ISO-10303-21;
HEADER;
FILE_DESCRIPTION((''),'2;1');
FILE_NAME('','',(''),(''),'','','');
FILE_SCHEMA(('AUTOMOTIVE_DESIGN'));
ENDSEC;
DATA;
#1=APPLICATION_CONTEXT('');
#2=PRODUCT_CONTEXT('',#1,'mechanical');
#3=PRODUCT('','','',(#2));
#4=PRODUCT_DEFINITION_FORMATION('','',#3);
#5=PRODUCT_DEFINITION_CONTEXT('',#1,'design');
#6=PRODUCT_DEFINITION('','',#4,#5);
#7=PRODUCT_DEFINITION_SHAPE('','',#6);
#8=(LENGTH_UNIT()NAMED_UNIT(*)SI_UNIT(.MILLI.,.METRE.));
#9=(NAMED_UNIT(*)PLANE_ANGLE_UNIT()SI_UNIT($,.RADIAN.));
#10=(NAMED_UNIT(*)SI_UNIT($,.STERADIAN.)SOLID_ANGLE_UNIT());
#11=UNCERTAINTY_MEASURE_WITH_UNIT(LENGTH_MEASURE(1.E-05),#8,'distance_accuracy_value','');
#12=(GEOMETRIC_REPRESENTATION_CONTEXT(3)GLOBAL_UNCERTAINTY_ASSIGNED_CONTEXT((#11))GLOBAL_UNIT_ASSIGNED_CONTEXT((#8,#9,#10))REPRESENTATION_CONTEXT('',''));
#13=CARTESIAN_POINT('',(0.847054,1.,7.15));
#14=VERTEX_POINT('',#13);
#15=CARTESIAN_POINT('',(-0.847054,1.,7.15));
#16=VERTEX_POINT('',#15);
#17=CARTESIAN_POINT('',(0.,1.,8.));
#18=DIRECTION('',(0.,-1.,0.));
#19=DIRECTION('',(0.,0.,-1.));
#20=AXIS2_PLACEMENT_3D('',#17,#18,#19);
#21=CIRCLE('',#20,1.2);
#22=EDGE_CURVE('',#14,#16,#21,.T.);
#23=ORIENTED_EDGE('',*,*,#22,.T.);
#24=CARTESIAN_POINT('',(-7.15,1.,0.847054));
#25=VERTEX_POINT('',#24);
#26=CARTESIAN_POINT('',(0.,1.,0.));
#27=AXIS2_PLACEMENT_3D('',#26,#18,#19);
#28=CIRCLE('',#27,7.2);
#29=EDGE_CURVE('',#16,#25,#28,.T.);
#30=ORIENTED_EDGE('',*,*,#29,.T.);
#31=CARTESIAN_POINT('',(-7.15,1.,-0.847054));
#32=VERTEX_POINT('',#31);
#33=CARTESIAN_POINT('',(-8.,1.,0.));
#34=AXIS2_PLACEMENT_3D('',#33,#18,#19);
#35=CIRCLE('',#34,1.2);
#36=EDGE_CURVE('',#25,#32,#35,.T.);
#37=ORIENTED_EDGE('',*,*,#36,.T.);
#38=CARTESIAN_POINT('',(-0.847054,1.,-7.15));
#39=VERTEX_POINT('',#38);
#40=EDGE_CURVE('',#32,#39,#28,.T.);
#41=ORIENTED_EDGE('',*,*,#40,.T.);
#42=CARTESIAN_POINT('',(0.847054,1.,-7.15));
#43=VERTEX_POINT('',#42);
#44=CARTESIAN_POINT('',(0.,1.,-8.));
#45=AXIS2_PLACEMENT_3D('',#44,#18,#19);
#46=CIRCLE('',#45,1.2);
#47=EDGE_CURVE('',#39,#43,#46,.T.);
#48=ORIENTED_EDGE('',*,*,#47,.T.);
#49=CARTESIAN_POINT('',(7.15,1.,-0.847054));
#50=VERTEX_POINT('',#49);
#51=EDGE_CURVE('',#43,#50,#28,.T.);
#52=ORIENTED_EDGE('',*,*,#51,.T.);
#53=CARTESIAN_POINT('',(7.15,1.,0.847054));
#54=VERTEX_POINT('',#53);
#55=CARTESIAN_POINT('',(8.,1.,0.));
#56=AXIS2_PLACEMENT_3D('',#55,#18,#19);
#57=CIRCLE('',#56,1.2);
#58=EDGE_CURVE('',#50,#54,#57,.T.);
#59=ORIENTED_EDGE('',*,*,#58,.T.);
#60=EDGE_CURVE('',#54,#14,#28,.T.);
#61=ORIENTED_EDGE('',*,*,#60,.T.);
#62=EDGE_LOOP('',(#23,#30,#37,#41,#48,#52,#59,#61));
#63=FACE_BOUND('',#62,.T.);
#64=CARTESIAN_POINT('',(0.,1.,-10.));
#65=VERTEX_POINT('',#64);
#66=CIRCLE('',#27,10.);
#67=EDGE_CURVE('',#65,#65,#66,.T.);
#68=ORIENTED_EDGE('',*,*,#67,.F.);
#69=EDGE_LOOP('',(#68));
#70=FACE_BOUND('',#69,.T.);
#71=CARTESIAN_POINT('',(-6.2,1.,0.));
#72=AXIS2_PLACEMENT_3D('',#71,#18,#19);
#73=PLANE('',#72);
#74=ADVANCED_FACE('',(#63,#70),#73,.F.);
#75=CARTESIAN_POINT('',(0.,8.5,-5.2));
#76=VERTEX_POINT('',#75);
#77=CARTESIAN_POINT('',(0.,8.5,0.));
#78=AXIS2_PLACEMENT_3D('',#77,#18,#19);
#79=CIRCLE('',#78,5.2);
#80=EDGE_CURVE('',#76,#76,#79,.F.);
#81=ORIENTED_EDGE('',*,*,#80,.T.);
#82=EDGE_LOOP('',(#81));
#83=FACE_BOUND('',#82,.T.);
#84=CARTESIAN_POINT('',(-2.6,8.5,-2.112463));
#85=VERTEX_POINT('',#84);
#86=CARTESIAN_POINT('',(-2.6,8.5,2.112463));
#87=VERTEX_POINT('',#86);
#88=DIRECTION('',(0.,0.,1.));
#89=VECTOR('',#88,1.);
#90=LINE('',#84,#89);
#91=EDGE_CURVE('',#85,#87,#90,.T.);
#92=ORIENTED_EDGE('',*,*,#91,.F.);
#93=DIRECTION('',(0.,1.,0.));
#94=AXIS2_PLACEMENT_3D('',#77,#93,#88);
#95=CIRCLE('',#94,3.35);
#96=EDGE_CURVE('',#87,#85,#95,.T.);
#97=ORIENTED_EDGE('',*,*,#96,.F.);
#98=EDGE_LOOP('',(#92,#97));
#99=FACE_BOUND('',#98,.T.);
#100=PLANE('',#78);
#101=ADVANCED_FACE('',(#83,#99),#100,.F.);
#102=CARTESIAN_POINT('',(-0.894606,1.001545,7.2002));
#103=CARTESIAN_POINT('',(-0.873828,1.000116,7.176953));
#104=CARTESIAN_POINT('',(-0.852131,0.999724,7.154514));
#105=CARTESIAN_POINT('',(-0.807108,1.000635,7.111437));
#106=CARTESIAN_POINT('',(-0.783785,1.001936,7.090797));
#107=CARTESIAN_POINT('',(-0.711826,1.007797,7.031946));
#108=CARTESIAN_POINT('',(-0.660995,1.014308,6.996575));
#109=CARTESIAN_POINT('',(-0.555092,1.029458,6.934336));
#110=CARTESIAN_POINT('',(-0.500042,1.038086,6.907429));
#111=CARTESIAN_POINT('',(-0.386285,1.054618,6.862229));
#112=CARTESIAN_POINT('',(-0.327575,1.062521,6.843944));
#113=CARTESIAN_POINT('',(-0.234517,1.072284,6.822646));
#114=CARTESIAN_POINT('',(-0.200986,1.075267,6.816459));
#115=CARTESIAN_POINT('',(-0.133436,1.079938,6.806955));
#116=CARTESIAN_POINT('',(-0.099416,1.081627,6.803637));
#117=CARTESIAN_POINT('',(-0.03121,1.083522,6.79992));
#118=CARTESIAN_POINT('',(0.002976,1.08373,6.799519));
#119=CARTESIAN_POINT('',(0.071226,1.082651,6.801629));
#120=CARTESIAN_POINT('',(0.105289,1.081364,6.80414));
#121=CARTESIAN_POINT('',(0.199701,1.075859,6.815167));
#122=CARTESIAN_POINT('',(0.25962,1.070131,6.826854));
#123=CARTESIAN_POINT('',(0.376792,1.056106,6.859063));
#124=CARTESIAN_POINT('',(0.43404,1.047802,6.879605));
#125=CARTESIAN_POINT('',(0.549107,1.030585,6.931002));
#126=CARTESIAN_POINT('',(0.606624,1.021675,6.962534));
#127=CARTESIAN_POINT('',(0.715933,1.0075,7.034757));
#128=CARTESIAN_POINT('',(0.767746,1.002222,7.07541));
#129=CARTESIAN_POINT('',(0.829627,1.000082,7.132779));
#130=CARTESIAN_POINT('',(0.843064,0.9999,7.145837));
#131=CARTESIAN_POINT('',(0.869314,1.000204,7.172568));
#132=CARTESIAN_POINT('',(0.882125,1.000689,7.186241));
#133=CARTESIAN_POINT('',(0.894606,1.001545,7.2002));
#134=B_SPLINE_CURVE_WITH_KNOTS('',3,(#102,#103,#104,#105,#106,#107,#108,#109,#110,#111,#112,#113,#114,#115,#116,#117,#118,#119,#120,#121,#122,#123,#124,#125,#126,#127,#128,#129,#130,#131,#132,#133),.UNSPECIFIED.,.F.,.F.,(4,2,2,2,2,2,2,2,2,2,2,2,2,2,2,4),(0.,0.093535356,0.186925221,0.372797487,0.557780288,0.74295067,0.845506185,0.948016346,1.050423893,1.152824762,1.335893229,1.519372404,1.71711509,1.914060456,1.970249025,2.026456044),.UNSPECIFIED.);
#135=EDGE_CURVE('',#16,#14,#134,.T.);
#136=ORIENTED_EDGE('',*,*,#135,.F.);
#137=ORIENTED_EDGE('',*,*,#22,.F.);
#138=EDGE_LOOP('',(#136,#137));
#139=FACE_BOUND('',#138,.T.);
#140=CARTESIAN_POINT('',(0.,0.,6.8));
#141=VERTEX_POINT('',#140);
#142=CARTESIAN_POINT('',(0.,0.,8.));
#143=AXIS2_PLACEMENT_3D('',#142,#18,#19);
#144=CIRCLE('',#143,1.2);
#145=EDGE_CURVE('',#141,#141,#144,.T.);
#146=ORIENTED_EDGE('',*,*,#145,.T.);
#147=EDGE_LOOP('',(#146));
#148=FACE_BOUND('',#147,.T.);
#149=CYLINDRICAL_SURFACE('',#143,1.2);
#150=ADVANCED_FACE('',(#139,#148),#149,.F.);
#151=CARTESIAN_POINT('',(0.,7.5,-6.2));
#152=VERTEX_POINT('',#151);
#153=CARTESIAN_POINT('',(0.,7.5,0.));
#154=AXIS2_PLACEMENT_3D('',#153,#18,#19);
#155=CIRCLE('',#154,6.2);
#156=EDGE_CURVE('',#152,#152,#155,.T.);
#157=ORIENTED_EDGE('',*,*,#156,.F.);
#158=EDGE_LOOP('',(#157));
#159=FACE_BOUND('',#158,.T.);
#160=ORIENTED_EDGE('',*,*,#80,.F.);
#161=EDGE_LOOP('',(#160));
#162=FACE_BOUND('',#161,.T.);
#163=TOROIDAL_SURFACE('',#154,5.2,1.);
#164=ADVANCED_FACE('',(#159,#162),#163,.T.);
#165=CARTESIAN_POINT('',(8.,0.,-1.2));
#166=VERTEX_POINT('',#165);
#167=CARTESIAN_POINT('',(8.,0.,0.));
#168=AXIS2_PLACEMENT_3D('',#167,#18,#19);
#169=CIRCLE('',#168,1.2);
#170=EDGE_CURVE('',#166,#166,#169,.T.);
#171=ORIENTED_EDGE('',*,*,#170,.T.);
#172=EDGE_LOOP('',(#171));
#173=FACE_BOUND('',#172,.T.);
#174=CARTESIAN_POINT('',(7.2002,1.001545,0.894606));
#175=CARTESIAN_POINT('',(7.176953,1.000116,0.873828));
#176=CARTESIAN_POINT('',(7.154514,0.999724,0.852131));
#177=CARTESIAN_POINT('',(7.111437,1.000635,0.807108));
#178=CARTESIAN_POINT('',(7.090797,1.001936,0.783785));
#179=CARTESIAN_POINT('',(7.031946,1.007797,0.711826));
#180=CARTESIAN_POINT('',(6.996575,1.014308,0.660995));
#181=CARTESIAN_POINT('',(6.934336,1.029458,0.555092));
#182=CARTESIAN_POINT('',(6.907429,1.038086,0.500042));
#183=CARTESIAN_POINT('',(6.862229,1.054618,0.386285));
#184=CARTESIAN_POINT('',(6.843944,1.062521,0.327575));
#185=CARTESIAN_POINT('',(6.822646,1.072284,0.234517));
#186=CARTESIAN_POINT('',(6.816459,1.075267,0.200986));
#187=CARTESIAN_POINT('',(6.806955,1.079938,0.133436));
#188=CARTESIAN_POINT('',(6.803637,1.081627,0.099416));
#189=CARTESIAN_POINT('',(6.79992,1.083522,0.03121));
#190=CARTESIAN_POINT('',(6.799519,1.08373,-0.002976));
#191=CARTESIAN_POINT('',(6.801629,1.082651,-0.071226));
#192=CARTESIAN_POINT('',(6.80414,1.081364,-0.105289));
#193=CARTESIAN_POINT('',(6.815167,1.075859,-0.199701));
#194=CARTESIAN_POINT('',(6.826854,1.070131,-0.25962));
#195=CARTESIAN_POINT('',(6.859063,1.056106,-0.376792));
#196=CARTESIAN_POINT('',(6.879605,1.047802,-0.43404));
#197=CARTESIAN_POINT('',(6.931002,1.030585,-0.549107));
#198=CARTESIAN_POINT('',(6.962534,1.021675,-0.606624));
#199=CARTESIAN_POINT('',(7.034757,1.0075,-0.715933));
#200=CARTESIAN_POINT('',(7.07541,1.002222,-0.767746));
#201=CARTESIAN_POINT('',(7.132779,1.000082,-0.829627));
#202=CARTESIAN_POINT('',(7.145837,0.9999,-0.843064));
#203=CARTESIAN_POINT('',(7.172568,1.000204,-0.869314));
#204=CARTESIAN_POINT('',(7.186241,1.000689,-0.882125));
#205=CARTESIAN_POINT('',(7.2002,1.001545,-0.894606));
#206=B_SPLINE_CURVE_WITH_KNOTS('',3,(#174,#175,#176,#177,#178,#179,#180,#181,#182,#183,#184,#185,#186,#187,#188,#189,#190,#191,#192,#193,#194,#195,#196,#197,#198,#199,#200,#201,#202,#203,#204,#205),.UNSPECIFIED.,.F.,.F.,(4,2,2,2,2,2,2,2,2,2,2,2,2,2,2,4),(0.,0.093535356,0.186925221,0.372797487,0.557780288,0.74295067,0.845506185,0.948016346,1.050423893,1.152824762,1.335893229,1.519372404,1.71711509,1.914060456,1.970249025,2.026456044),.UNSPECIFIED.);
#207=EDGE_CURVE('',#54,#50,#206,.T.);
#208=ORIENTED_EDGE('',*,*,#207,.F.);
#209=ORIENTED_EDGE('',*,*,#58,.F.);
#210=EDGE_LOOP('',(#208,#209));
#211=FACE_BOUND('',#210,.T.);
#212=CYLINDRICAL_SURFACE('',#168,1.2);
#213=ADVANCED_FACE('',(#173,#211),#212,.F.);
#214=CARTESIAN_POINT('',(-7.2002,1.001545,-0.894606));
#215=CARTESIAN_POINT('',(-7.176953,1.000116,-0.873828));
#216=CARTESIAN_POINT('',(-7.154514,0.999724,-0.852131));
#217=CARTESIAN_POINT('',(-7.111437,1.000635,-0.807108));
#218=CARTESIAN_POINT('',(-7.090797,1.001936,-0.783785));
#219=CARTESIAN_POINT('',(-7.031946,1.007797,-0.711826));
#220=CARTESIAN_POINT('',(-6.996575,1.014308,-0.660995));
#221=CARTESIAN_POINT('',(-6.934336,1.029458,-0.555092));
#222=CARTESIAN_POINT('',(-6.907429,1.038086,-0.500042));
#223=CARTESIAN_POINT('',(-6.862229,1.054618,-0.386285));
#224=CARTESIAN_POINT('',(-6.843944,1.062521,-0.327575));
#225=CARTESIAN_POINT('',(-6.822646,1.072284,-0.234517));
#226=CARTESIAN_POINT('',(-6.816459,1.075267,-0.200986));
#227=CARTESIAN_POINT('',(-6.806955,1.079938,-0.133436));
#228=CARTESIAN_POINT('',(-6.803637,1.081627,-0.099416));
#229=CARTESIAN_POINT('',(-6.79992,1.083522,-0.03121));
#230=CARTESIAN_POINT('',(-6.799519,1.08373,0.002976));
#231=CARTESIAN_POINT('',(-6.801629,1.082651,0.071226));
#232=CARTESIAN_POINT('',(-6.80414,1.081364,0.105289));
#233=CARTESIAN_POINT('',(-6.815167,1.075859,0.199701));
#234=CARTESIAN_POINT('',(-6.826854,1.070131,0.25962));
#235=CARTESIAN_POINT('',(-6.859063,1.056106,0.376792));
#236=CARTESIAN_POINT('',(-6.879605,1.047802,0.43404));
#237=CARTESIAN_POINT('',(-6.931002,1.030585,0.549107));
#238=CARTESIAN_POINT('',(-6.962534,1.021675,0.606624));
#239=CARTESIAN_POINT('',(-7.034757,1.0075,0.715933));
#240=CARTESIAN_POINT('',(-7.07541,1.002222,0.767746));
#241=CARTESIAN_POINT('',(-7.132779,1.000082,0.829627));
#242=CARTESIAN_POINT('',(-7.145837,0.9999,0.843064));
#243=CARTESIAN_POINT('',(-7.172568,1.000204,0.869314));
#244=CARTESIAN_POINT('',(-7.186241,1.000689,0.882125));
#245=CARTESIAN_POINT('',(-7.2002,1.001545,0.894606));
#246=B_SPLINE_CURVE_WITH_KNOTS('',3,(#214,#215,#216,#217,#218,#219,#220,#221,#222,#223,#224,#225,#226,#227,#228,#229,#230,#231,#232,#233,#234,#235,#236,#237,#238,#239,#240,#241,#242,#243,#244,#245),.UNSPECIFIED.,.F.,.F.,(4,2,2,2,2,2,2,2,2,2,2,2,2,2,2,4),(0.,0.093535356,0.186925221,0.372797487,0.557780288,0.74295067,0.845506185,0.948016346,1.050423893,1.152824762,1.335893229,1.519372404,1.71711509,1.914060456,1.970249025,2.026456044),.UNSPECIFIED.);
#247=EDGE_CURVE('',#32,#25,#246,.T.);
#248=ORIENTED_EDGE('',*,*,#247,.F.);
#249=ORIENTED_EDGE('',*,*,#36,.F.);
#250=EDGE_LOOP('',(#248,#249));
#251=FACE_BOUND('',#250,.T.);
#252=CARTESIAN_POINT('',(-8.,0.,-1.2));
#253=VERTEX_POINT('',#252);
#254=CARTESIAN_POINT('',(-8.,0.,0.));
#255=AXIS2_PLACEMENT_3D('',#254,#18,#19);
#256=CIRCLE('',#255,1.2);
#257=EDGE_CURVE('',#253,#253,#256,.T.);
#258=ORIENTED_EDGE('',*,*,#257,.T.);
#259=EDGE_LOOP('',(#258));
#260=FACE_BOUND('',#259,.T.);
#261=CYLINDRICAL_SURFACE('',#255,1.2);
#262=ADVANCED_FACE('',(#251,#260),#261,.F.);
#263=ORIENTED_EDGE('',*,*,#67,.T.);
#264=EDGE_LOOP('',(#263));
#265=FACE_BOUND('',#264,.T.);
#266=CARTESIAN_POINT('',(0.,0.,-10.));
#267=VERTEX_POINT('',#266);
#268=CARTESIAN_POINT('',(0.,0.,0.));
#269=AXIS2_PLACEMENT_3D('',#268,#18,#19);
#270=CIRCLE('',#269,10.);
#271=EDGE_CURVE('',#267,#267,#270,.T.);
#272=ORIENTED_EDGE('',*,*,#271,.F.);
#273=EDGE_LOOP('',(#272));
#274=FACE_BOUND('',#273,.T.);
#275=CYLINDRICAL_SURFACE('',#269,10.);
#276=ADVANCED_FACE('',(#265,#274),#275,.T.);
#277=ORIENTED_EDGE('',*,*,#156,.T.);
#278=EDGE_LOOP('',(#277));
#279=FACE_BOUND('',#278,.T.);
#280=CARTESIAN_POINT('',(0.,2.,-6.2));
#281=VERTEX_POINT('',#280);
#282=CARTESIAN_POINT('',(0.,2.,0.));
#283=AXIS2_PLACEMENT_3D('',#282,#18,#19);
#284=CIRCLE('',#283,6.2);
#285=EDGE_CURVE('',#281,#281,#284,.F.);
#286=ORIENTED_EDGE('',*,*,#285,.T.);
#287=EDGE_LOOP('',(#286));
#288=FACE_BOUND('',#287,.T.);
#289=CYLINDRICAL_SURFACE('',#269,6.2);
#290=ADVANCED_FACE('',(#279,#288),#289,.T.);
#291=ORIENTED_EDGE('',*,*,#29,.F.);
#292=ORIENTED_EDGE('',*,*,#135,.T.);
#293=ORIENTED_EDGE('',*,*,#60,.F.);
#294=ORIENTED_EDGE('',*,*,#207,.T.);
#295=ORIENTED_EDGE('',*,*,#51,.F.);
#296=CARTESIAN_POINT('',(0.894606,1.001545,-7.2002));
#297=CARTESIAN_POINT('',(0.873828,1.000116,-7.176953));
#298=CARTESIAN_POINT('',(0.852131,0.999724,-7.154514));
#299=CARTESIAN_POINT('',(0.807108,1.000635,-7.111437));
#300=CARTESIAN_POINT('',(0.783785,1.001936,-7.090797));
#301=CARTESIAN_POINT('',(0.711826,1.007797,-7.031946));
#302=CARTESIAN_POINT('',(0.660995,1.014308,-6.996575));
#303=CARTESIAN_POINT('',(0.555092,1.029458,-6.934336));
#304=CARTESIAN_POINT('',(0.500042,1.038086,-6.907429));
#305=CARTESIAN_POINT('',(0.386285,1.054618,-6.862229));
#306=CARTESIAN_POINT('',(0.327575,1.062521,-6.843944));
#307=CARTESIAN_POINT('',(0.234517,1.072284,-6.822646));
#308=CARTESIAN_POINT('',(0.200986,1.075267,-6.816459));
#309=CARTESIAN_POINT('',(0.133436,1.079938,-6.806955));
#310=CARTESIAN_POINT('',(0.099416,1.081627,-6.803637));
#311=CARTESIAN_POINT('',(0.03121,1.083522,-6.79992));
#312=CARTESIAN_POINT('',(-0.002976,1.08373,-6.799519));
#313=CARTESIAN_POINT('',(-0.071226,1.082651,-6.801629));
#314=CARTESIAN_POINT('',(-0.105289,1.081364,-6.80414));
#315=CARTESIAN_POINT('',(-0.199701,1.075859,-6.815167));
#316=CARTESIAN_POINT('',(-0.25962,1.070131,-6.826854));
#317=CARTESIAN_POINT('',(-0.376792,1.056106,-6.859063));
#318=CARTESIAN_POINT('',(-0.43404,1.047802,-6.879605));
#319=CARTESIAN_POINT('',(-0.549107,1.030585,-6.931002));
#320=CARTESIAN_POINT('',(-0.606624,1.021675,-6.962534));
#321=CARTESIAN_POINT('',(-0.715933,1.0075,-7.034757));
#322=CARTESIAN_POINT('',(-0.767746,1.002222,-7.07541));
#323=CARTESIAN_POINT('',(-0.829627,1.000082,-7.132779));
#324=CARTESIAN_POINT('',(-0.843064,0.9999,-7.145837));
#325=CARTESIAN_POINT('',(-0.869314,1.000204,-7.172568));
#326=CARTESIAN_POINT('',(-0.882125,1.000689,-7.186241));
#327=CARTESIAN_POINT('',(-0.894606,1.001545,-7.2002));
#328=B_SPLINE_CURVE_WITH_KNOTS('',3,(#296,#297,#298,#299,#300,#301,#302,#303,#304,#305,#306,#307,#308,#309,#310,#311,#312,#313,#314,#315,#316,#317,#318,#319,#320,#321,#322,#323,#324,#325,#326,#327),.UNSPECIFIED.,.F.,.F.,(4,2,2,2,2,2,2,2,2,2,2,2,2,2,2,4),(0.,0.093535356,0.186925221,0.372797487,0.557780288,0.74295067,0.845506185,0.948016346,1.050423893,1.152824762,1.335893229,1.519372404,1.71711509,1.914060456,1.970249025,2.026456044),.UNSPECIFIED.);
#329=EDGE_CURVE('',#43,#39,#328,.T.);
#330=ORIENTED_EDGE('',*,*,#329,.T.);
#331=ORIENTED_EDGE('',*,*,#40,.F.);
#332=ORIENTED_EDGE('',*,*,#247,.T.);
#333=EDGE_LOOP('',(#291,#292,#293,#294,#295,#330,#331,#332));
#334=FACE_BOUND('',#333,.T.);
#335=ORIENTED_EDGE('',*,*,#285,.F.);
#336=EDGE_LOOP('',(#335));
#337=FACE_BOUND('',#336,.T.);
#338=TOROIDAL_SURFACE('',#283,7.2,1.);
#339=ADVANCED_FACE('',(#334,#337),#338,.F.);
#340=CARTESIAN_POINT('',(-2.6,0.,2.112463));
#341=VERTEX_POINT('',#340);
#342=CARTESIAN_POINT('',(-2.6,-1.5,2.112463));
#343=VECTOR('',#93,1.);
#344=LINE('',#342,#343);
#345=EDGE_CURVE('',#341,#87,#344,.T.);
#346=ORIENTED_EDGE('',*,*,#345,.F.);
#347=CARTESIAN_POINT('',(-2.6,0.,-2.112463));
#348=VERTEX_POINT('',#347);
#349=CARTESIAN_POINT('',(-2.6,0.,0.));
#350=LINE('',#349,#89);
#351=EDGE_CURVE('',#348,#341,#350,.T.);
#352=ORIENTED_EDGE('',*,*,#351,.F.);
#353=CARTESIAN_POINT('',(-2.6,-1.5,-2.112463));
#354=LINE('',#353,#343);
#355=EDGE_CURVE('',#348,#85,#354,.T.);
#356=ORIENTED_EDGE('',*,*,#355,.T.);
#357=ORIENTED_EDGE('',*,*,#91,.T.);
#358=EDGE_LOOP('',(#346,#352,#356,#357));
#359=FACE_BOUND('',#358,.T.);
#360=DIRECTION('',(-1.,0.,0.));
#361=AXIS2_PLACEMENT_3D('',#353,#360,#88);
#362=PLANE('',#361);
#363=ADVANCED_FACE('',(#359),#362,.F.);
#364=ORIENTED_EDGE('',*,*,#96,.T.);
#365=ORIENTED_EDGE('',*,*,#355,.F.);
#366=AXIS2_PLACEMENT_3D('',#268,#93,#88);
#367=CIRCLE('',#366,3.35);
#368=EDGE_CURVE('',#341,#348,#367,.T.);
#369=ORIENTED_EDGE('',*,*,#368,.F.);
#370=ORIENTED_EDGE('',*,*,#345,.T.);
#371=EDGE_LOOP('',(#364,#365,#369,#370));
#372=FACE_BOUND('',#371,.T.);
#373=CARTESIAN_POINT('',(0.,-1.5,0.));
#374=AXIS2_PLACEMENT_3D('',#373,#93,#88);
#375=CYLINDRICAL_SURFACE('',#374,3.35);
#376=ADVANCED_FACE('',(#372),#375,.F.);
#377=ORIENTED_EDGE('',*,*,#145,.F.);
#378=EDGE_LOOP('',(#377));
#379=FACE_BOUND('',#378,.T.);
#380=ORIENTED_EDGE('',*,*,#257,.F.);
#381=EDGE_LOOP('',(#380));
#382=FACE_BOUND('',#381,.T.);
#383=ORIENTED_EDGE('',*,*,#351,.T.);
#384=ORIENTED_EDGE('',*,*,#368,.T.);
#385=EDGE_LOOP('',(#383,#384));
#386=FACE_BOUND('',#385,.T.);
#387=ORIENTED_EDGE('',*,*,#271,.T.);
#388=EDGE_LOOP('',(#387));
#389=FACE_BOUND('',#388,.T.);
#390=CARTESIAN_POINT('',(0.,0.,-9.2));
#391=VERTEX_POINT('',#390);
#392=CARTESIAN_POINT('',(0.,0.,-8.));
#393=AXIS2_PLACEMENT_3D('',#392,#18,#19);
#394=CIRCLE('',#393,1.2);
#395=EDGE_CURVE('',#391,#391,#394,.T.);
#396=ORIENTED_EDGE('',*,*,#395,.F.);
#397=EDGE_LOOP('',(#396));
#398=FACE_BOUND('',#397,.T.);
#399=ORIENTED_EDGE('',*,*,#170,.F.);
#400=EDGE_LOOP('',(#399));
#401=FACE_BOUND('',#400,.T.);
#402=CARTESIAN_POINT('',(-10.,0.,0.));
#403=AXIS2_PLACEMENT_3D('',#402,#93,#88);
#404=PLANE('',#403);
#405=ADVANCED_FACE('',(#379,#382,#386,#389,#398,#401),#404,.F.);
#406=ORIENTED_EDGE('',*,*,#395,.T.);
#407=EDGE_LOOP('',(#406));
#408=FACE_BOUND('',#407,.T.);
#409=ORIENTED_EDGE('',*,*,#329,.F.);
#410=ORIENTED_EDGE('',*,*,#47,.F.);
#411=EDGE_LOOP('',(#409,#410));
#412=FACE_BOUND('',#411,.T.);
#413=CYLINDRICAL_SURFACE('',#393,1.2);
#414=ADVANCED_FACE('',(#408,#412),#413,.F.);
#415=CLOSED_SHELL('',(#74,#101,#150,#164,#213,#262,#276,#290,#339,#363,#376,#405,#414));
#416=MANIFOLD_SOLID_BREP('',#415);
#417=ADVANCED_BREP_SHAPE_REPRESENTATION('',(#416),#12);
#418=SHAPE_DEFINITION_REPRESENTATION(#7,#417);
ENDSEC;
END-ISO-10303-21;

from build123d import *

# Parameters (mm, degrees)
CUT_EXTRUDE1_DEPTH   = 10
FILLET1_R            = 1
M2_CLEARANCE_HOLE2_D = 2.4
CIRPATTERN1_COUNT    = 4


with BuildPart() as part:
    # Sketch2 → Revolve1 (revolve)
    with BuildSketch(Plane.XY):
        Polygon((0, 0), (0, 8.5), (-6.2, 8.5), (-6.2, 1), (-10, 1), (-10, 0), align=None)
    revolve(axis=Axis((0, 0, 0), (0, 1, 0)))

    # Sketch3 → Cut-Extrude1 (cut)
    with BuildSketch(Plane(origin=(0, 8.5, 0), x_dir=(1, 0, 0), z_dir=(0, 1, 0))):
        with BuildLine():
            Line((-2.6, 2.112463017), (-2.6, -2.112463017))
            ThreePointArc((-2.6, -2.112463017), (3.35, 0), (-2.6, 2.112463017))
        make_face()
    extrude(amount=-CUT_EXTRUDE1_DEPTH, mode=Mode.SUBTRACT)

    # Fillet1
    fillet1_edges = [part.edges().sort_by_distance(p)[0] for p in [
        (6.2, 1, 0),
        (6.2, 8.5, 0),
    ]]
    fillet(fillet1_edges, radius=FILLET1_R)

    # M2 Clearance Hole2 (through all)
    with Locations(Plane(origin=(0, 0, 0), x_dir=(-1, 0, 0), z_dir=(0, -1, 0))):
        with Locations((8, 0)):
            m2_clearance_hole2 = Hole(M2_CLEARANCE_HOLE2_D / 2)

    # CirPattern1: M2 Clearance Hole2 ×4 about axis
    cirpattern1_axis = Axis((0, 0, 0), (0, 1, 0))
    for i in range(1, CIRPATTERN1_COUNT):
        add(m2_clearance_hole2.rotate(cirpattern1_axis, i * 360 / CIRPATTERN1_COUNT), mode=Mode.SUBTRACT)


solid = part.part
